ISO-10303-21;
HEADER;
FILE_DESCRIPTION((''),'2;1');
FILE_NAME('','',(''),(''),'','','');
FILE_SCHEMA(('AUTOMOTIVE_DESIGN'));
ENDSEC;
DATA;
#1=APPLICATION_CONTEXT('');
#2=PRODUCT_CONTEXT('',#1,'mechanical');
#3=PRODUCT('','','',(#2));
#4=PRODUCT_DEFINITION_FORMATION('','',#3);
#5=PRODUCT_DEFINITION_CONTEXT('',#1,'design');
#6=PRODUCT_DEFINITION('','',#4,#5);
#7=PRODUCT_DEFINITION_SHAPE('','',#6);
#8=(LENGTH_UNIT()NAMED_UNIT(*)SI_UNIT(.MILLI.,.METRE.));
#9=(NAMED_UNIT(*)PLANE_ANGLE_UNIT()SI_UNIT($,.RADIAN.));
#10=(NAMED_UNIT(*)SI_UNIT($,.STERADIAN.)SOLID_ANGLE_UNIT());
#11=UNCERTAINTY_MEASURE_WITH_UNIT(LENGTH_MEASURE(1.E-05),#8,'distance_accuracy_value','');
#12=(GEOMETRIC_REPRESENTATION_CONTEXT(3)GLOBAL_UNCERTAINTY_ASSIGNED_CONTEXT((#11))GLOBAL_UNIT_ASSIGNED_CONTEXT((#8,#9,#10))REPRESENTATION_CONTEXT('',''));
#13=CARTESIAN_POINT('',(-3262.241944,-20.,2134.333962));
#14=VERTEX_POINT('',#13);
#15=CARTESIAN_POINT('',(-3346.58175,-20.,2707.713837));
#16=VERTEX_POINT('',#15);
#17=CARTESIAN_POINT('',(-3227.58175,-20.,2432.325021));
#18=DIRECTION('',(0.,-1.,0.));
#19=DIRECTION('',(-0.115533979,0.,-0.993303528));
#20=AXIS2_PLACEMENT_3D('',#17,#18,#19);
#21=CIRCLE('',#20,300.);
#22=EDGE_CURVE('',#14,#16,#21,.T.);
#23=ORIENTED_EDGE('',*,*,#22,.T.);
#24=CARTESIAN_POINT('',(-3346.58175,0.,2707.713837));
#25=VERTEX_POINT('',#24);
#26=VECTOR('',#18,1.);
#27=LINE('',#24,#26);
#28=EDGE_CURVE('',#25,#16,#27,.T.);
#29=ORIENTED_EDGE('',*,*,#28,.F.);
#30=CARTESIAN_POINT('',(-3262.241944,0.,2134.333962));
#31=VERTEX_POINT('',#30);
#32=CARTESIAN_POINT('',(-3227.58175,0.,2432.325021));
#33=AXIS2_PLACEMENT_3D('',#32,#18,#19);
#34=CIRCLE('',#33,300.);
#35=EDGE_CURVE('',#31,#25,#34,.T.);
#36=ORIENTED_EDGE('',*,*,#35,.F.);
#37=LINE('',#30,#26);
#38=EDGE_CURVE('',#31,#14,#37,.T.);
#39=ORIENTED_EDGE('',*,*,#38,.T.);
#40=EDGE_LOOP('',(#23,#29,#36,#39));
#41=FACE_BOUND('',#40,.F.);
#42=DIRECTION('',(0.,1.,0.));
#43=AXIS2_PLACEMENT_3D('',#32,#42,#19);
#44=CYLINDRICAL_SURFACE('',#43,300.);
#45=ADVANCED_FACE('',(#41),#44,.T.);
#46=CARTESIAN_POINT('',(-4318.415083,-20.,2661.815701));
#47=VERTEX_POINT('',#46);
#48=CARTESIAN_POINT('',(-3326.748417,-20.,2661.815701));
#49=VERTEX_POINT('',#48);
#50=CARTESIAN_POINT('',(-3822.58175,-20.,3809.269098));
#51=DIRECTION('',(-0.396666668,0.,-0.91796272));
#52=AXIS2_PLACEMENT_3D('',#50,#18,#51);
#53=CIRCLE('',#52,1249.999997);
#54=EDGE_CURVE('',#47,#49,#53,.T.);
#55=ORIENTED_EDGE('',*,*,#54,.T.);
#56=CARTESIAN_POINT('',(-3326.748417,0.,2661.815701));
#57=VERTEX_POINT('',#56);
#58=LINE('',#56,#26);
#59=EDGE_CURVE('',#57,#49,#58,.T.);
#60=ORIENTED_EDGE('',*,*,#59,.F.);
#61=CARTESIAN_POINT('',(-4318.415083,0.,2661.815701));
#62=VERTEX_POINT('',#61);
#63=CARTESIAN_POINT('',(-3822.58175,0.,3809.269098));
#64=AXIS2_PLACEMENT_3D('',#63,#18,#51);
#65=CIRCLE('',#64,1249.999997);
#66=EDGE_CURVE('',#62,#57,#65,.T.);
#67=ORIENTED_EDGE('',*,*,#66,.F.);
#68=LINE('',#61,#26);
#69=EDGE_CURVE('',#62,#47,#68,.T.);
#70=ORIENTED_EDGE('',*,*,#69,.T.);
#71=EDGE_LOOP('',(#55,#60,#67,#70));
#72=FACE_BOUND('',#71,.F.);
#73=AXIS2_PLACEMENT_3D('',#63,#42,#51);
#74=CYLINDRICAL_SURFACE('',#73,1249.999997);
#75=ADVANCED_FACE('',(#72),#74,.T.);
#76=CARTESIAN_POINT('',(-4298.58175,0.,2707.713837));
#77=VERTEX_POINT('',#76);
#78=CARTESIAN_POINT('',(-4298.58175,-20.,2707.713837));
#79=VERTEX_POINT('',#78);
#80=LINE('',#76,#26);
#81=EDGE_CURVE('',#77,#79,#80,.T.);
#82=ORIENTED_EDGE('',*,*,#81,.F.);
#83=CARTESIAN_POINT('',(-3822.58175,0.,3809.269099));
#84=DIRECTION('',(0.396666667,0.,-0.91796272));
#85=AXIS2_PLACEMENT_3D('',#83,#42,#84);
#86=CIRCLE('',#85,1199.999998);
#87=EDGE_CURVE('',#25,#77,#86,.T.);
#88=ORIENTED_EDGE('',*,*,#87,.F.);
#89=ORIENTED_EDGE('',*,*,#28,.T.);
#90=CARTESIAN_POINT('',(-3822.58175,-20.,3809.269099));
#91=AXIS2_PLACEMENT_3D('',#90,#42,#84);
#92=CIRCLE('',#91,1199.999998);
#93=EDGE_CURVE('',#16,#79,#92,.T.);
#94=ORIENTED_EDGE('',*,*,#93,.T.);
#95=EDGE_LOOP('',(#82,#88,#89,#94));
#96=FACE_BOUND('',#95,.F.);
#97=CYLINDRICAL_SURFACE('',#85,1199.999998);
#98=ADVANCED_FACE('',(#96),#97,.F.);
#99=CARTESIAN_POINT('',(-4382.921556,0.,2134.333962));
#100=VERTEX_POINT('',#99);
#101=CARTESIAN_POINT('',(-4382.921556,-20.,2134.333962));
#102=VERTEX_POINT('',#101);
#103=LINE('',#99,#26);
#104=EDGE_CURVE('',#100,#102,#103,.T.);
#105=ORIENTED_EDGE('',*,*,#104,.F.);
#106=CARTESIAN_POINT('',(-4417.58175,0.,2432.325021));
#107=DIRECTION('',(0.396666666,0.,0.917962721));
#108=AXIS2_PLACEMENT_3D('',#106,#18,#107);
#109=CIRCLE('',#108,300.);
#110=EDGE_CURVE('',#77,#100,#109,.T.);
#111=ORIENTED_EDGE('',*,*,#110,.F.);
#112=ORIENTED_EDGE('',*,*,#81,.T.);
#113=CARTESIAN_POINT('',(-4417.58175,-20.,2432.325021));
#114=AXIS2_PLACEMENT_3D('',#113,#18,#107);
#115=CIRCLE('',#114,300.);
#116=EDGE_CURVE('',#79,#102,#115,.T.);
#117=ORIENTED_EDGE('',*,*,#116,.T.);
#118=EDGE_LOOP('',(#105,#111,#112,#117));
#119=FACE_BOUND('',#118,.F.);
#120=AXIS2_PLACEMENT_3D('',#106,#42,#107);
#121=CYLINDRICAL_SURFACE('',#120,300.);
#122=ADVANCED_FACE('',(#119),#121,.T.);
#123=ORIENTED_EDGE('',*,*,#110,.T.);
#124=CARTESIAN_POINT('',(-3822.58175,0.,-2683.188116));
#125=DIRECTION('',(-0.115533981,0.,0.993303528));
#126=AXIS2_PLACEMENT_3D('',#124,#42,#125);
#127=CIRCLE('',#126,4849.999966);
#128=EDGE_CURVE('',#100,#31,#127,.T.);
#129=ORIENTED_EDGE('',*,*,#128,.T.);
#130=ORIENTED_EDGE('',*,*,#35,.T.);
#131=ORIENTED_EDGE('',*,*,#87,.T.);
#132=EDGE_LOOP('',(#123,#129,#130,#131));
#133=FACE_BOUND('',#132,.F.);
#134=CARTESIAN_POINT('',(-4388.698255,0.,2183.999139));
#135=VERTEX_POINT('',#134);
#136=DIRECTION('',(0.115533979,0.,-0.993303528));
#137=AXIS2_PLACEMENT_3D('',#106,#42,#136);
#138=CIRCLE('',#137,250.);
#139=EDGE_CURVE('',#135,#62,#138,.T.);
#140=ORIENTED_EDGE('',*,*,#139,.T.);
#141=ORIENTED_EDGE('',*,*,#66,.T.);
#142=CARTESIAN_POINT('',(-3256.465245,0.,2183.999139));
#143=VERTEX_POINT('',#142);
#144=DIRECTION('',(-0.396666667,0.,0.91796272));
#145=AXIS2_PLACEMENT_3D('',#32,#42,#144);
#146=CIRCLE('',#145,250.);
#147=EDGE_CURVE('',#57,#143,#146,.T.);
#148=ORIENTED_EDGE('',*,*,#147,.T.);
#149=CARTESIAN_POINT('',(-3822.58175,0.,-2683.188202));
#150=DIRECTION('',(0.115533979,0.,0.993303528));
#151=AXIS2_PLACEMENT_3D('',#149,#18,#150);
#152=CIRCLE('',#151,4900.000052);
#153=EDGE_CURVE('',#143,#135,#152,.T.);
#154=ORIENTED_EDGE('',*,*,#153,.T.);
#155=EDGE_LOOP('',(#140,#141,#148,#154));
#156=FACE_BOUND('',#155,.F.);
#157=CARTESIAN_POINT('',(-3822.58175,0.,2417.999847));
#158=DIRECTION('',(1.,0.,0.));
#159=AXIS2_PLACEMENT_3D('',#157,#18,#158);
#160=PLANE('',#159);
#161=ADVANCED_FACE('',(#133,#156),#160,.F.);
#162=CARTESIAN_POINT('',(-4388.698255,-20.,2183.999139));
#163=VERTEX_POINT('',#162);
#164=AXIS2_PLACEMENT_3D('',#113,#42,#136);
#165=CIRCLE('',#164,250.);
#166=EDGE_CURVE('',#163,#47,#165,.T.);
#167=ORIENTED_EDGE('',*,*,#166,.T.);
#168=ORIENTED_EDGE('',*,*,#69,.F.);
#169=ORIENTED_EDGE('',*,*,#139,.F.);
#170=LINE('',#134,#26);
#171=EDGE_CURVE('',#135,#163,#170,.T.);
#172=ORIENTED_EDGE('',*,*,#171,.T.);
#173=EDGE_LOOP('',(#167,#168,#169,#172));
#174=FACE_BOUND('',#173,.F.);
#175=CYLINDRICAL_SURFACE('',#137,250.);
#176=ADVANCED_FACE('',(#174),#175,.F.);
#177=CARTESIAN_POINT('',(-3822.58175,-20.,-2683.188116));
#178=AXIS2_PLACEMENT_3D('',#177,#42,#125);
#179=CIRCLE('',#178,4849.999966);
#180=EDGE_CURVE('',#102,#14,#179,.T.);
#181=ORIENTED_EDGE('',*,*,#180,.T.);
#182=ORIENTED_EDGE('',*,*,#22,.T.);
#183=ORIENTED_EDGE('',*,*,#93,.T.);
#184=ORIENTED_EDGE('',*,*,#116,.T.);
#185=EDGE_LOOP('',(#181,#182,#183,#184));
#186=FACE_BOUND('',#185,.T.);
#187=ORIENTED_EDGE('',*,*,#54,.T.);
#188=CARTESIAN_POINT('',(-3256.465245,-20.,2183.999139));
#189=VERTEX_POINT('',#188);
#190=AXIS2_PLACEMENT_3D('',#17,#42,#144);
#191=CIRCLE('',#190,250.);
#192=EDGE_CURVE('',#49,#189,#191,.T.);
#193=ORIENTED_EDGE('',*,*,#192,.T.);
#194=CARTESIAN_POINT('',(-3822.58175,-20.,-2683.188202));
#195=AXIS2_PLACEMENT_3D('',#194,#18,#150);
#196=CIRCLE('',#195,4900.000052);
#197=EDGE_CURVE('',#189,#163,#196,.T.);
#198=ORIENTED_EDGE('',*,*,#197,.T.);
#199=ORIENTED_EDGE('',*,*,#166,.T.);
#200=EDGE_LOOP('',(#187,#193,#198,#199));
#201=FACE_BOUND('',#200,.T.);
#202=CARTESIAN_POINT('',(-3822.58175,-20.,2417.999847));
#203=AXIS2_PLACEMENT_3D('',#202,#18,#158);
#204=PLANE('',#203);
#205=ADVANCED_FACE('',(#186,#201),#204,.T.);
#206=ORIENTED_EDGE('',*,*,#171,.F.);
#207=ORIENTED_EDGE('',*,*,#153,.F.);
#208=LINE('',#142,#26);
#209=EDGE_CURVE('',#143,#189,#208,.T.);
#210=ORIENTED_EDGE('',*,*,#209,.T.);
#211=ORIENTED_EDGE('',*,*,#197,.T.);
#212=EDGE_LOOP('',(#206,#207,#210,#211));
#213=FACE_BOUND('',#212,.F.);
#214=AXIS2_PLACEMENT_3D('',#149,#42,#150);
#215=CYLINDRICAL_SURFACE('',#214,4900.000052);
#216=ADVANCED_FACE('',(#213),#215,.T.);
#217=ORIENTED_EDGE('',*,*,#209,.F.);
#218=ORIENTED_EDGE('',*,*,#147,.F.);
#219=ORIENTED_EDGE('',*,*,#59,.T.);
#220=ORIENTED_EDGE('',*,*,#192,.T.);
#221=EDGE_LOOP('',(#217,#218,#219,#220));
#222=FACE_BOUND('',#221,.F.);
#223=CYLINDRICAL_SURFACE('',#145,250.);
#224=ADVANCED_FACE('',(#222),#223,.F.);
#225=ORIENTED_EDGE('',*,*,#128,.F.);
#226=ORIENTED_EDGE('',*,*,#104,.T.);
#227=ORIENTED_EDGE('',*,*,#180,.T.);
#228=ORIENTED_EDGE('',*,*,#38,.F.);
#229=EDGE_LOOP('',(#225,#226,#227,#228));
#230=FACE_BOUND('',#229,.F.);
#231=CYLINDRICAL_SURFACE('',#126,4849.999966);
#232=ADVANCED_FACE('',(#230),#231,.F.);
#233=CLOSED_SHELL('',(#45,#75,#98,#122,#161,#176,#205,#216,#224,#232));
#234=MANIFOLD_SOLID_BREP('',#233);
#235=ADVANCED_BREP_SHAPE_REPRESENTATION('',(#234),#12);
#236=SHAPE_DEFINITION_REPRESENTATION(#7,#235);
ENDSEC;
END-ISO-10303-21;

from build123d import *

# Parameters (mm, degrees)
F1_DEPTH = 20


with BuildPart() as f1:
    # F0 (on Front) → F1 (new body)
    with BuildSketch(Plane.XZ):
        with BuildLine():
            ThreePointArc((-3346.58175, 2707.713837), (-3822.58175, 2609.269101), (-4298.58175, 2707.713837))
            ThreePointArc((-4298.58175, 2707.713837), (-4714.388057, 2475.982965), (-4382.921556, 2134.333962))
            ThreePointArc((-4382.921556, 2134.333962), (-3822.58175, 2166.81185), (-3262.241944, 2134.333962))
            ThreePointArc((-3262.241944, 2134.333962), (-2930.775443, 2475.982965), (-3346.58175, 2707.713837))
        make_face()
        with BuildLine():
            ThreePointArc((-4388.698255, 2183.999139), (-4664.920339, 2468.706641), (-4318.415083, 2661.815701))
            ThreePointArc((-4318.415083, 2661.815701), (-3822.58175, 2559.269101), (-3326.748417, 2661.815701))
            ThreePointArc((-3326.748417, 2661.815701), (-2980.243161, 2468.706641), (-3256.465245, 2183.999139))
            ThreePointArc((-3256.465245, 2183.999139), (-3822.58175, 2216.81185), (-4388.698255, 2183.999139))
        make_face(mode=Mode.SUBTRACT)
    extrude(amount=F1_DEPTH)


solid = f1.part
